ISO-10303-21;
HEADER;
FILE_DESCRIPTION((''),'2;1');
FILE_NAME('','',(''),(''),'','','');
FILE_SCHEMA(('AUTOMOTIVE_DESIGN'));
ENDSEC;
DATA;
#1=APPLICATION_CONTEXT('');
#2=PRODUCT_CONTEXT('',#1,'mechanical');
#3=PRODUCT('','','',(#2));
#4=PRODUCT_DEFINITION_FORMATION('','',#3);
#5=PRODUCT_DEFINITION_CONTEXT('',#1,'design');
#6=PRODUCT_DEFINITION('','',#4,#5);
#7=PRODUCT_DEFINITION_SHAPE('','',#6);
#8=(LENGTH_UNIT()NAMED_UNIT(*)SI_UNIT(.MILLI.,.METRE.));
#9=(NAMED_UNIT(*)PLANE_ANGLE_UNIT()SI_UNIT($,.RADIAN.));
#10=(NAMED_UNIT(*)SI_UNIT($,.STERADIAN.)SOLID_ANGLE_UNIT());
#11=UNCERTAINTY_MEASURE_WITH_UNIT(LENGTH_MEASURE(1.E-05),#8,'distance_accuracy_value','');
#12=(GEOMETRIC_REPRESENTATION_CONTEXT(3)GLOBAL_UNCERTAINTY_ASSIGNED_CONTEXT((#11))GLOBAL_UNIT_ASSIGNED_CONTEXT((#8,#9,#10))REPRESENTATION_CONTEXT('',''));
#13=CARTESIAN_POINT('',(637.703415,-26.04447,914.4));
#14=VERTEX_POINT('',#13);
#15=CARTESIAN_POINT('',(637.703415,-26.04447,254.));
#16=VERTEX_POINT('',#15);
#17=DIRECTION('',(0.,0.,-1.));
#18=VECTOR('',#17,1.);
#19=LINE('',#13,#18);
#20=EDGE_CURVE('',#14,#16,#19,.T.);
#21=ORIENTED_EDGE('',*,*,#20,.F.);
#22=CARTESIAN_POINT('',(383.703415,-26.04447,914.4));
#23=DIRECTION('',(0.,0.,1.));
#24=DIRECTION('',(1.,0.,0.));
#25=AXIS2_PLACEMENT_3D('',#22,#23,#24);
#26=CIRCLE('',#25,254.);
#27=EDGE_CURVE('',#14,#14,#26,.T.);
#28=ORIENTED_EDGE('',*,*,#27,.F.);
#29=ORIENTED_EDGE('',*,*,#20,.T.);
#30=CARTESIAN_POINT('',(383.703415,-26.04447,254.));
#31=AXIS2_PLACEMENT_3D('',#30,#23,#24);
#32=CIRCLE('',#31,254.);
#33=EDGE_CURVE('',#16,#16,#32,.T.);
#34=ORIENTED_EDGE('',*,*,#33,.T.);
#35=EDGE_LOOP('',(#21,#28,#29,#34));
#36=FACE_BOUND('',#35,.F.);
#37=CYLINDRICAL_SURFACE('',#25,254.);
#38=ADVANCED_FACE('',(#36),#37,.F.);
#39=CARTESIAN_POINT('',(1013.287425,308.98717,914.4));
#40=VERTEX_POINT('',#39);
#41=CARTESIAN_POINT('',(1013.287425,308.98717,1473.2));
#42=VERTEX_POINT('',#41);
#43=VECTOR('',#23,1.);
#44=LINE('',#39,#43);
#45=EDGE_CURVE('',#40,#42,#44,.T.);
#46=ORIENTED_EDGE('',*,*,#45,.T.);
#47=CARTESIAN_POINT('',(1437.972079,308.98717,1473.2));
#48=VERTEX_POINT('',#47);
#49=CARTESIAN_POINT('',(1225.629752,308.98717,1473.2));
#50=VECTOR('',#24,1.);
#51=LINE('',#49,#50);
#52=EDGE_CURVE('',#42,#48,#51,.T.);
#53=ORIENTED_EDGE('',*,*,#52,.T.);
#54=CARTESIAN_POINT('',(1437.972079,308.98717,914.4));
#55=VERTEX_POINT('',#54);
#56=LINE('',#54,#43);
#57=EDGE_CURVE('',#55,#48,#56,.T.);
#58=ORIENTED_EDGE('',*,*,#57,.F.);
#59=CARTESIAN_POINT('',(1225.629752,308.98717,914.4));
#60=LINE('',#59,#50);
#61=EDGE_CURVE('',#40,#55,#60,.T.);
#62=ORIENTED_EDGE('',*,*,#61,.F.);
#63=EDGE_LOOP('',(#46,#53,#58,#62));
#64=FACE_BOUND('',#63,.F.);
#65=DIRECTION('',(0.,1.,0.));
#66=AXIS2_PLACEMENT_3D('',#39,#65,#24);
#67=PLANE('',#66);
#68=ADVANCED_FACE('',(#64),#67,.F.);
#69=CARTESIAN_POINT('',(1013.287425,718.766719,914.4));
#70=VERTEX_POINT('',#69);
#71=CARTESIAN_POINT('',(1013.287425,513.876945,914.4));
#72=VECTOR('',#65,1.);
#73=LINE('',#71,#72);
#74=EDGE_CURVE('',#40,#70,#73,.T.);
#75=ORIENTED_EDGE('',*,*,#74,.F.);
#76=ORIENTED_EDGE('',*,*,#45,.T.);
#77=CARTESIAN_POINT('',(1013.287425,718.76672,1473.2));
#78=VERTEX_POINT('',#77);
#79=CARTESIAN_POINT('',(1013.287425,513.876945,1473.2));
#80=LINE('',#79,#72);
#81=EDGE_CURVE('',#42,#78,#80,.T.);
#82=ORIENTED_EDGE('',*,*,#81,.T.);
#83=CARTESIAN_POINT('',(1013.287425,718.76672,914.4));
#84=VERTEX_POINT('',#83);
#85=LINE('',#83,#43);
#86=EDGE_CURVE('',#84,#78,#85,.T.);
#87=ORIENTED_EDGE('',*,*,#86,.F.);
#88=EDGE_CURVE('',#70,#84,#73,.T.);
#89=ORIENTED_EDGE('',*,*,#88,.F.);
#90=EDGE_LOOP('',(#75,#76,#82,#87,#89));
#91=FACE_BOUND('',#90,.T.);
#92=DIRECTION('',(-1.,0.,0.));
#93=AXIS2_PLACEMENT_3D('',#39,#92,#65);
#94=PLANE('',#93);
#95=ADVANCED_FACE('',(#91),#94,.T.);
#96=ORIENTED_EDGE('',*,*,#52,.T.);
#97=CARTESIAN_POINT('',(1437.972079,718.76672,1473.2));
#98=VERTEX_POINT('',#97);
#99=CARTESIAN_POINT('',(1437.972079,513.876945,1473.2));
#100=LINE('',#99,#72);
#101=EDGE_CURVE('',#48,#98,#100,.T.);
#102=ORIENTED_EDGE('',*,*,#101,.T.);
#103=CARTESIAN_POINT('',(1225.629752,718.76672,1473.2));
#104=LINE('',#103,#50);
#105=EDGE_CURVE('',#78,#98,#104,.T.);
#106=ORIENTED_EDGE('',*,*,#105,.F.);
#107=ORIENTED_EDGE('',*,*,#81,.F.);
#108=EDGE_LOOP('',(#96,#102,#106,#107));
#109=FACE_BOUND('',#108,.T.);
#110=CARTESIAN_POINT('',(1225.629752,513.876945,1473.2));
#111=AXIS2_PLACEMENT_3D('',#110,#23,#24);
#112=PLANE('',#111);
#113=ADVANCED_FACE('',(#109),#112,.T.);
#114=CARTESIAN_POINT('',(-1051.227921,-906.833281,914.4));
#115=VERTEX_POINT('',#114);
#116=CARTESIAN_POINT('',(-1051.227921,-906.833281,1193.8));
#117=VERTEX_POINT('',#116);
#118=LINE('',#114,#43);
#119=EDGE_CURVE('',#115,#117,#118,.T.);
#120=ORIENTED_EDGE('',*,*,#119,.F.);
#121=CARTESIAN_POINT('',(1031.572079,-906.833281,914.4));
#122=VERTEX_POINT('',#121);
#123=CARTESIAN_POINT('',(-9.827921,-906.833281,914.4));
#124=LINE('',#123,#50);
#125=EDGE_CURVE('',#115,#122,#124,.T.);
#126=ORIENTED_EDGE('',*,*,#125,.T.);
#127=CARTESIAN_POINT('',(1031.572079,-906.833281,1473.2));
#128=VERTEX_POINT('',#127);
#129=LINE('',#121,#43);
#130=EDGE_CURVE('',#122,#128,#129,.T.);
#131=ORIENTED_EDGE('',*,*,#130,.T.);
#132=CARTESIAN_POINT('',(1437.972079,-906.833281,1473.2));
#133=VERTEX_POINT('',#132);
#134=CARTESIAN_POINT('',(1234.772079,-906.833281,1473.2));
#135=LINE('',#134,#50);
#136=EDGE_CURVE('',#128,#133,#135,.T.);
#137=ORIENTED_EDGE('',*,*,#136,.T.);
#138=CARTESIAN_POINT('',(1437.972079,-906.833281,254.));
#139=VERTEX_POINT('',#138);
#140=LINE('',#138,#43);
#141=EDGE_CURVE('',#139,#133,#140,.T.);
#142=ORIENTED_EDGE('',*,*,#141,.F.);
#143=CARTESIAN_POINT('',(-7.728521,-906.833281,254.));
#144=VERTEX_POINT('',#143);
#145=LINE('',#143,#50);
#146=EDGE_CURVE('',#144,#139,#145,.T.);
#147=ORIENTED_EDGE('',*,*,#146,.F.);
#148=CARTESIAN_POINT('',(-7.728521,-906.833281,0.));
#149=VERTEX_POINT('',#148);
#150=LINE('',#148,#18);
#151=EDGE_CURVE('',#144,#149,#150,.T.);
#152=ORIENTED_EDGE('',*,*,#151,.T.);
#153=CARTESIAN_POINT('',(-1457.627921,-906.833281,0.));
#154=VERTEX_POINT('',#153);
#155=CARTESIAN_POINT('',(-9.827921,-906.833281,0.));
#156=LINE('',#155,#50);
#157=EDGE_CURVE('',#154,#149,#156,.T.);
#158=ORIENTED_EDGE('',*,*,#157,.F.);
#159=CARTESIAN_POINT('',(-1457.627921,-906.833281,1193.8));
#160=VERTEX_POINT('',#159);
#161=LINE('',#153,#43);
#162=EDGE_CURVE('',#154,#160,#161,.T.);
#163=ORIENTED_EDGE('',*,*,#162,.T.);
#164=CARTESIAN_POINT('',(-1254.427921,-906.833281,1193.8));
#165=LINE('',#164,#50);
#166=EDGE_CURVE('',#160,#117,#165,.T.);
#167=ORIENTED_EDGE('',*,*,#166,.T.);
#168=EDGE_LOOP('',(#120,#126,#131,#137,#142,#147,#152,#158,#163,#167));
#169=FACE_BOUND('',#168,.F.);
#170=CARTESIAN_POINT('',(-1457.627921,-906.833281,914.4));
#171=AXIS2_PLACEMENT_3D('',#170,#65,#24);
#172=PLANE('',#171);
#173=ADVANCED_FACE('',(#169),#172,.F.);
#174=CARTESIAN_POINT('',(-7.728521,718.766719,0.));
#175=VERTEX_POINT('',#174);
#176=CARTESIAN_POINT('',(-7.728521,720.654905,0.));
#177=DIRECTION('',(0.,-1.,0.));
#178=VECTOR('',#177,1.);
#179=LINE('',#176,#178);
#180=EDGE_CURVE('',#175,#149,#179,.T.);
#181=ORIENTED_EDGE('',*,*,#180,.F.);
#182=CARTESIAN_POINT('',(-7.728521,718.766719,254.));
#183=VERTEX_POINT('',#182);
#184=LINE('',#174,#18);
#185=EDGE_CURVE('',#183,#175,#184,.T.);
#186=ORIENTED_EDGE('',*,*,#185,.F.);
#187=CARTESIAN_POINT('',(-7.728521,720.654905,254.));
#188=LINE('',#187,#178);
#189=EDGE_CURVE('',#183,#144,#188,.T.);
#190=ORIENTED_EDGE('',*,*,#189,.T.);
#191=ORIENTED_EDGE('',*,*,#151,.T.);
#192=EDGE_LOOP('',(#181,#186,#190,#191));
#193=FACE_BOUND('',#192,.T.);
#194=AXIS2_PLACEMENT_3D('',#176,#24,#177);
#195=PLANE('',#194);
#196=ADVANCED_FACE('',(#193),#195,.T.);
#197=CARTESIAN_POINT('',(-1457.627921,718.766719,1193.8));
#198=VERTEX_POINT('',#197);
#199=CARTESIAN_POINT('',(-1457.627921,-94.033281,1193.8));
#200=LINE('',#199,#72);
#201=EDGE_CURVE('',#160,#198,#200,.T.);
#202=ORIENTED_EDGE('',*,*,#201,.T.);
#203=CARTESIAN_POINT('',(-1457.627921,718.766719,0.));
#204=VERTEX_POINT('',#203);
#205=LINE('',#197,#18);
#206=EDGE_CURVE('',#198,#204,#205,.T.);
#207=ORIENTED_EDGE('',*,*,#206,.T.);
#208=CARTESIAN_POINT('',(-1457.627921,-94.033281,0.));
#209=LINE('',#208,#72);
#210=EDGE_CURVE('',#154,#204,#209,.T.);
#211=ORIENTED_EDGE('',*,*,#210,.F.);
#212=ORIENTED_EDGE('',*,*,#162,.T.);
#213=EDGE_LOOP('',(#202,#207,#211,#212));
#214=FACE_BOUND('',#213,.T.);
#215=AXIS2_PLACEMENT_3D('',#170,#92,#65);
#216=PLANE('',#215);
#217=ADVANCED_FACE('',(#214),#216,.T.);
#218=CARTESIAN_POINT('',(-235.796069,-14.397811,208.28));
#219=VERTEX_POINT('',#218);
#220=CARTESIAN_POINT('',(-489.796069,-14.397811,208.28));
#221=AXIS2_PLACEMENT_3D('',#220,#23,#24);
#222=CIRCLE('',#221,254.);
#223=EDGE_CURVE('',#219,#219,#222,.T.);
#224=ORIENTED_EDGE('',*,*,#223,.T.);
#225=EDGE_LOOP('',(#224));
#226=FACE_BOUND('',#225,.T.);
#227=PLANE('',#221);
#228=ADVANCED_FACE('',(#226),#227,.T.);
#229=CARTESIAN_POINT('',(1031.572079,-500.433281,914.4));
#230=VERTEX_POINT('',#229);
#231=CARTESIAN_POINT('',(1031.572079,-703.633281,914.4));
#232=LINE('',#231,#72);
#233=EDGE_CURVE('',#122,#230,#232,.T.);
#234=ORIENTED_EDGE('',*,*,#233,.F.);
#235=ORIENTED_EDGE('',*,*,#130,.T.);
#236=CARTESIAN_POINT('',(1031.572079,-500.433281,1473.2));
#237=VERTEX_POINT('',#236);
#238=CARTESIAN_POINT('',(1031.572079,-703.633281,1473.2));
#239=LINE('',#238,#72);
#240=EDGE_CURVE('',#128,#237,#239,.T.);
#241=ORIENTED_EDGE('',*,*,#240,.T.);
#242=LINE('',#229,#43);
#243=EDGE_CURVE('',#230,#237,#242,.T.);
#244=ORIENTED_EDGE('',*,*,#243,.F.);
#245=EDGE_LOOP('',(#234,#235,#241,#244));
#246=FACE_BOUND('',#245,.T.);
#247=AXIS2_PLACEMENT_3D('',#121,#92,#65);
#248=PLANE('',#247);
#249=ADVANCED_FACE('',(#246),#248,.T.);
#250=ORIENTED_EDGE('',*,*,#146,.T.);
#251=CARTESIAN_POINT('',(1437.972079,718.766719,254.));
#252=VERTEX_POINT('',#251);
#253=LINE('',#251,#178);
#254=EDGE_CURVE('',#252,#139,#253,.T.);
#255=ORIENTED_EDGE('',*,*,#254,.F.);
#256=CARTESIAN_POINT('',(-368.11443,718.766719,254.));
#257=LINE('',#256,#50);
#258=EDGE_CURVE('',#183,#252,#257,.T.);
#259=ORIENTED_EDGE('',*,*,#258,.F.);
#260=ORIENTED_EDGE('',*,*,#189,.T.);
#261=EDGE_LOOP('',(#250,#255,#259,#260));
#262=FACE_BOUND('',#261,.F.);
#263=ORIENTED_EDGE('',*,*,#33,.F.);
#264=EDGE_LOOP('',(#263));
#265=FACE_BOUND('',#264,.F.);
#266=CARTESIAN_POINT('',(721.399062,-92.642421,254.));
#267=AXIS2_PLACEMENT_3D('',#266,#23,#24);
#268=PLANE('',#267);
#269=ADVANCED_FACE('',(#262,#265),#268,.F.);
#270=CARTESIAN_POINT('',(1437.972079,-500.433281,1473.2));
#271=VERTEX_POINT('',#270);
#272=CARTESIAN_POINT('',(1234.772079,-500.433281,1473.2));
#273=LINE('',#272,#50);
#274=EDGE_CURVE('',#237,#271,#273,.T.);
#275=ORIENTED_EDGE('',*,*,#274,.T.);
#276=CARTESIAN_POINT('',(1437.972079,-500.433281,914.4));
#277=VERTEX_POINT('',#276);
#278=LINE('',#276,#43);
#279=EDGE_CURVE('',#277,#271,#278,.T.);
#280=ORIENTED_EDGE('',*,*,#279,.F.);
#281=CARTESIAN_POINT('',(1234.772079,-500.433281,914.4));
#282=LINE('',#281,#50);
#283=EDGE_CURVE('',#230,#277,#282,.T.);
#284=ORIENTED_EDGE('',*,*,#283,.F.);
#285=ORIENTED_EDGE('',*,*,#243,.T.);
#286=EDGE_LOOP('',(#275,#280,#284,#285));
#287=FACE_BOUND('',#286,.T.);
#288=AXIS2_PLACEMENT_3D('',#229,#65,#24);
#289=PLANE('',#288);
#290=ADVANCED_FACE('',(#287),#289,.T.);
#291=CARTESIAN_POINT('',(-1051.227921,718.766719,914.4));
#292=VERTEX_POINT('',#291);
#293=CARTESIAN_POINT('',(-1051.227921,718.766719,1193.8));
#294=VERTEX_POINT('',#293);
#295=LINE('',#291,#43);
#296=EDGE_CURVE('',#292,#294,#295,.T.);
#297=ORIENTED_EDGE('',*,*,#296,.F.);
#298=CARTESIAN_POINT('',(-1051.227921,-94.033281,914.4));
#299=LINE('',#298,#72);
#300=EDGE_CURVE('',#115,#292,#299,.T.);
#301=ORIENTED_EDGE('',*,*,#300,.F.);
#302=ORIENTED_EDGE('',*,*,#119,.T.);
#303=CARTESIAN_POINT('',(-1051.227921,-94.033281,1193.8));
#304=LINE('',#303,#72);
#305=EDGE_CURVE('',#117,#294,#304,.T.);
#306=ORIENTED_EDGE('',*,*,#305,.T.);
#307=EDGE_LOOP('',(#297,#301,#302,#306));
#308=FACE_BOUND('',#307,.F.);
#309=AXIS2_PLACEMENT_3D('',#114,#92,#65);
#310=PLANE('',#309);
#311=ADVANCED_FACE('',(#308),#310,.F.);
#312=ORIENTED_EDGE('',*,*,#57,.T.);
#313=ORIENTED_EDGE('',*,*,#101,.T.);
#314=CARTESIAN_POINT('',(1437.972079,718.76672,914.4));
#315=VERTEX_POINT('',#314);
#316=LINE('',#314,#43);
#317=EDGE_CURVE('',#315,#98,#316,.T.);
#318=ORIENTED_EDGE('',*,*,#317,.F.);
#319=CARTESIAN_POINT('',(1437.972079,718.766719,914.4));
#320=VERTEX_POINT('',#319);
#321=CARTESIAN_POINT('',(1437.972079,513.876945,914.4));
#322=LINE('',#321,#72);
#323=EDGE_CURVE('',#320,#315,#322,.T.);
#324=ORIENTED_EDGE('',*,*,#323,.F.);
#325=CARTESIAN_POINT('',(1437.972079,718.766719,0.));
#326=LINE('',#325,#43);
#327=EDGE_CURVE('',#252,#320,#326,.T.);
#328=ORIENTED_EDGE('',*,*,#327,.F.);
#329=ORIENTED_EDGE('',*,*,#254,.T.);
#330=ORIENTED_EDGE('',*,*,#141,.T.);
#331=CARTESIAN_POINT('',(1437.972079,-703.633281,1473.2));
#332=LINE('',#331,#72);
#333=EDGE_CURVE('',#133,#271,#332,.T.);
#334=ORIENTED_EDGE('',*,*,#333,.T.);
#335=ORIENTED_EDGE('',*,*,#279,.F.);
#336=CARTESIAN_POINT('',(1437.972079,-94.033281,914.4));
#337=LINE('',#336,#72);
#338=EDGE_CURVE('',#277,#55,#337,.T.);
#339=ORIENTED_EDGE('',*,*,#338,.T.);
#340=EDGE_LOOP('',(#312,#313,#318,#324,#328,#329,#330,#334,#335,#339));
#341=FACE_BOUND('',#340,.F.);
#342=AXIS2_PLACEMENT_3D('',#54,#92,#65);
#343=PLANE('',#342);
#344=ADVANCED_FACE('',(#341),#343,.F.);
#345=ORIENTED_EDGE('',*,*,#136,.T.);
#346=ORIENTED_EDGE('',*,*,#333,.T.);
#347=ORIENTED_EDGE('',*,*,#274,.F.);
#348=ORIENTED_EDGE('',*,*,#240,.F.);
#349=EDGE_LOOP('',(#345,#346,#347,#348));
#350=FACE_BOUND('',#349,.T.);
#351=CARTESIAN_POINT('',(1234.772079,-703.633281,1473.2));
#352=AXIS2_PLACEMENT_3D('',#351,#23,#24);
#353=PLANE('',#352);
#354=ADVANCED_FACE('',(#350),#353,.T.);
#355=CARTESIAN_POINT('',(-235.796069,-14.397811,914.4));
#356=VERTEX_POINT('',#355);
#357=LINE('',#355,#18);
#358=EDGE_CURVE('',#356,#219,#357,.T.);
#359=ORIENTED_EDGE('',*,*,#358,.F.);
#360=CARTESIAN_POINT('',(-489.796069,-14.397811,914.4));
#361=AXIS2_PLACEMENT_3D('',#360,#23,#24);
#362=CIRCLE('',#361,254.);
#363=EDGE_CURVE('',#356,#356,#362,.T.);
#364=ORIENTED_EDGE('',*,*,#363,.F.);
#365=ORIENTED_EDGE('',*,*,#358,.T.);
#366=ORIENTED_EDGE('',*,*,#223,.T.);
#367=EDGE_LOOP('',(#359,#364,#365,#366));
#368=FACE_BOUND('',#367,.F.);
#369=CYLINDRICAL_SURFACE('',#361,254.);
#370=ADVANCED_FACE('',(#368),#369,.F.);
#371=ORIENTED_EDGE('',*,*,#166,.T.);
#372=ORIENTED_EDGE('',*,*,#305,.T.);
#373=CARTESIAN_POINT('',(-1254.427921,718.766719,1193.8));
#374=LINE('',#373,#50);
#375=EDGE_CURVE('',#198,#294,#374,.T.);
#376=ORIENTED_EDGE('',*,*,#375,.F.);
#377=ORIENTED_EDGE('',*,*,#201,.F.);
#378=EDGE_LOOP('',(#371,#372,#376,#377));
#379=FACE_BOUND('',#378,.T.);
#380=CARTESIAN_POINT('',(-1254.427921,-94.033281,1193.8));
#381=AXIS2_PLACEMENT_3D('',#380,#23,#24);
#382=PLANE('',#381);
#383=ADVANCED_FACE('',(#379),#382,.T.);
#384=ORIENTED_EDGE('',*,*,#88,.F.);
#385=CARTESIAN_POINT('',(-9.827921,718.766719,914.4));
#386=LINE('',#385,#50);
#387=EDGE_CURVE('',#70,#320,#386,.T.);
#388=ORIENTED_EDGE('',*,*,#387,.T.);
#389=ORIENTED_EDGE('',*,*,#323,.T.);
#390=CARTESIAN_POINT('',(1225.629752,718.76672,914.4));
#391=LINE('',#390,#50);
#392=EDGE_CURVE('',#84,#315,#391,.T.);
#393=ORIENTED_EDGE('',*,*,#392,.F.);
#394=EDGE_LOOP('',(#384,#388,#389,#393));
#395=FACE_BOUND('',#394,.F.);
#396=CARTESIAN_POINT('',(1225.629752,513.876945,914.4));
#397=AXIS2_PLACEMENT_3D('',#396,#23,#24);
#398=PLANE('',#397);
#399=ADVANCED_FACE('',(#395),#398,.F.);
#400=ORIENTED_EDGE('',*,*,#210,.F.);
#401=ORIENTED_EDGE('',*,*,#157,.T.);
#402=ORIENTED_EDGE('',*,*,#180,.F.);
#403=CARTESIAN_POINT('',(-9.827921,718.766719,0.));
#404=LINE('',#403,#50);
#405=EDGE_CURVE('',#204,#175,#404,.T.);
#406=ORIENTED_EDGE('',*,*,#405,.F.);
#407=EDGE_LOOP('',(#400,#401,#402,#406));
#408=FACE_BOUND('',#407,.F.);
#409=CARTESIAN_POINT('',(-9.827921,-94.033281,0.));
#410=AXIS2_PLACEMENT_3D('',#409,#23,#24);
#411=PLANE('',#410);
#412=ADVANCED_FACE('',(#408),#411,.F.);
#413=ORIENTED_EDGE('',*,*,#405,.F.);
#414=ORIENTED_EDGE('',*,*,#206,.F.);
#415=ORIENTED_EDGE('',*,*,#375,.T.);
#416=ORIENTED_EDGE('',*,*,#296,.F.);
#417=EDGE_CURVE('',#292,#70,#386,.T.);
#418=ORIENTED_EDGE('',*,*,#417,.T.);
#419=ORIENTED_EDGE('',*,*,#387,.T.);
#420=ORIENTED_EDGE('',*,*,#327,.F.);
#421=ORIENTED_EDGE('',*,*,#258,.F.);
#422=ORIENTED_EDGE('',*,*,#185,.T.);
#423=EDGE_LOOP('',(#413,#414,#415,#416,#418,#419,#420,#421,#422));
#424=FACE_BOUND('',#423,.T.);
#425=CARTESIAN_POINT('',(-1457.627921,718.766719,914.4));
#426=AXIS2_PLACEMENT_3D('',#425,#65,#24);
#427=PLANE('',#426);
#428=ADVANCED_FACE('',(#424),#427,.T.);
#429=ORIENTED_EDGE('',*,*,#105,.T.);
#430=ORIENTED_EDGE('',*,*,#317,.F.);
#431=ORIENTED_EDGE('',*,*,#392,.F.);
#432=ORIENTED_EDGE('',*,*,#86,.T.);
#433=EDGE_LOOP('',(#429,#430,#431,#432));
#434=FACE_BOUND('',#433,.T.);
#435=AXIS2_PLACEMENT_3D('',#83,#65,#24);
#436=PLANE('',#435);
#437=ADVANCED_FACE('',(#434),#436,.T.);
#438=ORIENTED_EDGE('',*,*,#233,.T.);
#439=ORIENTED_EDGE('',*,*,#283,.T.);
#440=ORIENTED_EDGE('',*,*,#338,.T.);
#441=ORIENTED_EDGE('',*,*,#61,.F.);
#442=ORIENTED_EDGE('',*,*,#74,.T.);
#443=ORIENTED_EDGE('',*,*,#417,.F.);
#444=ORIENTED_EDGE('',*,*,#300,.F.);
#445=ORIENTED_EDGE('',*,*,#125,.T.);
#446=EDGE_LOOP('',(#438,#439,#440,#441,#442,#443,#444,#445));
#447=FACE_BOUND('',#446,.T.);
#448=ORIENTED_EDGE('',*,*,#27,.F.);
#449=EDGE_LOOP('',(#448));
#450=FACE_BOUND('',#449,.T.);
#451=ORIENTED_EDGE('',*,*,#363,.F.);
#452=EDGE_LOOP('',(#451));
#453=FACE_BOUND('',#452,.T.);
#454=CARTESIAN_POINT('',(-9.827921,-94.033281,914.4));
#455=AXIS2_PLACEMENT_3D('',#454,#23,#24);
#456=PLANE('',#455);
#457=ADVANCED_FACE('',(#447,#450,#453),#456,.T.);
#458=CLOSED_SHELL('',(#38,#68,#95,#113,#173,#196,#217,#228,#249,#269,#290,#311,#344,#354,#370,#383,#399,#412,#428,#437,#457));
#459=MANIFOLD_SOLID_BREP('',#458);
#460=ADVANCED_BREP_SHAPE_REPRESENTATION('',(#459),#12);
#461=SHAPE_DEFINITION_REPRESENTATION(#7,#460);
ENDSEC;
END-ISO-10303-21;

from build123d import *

# Parameters (mm, degrees)
F0_W      = 2895.6
F0_H      = 1625.6
F1_DEPTH  = 914.4
F2_W      = 1447.8
F2_H      = 406.4
F3_DEPTH  = 254
F5_DEPTH  = 254
F6_W      = 406.4
F6_H      = 406.4
F7_DEPTH  = 558.8
F8_W      = 424.684654
F8_H      = 409.779549
F9_DEPTH  = 558.8
F10_W     = 406.4
F10_H     = 1625.6
F11_DEPTH = 279.4
F12_R     = 254
F13_DEPTH = 706.12


with BuildPart() as f1:
    # F0 (on Top) → F1 (new body)
    with BuildSketch(Plane.XY):
        with Locations((-9.827921, -94.033281)):
            Rectangle(F0_W, F0_H)
    extrude(amount=F1_DEPTH)

    # F2 (on face) → F3 (cut)
    with BuildSketch(Plane.XY):
        with Locations((716.372308, -706.58043)):
            Rectangle(F2_W, F2_H)
    extrude(amount=F3_DEPTH, mode=Mode.SUBTRACT)

    # F4 (on Top) → F5 (cut)
    with BuildSketch(Plane.XY):
        Polygon((-7.728521, 720.654905), (-7.728521, -909.525675), (1452.226996, -902.336115), (1452.226996, 720.654905), align=None)
    extrude(amount=F5_DEPTH, mode=Mode.SUBTRACT)

    # F6 (on face) → F7 (join)
    with BuildSketch(Plane.XY.offset(914.4)):
        with Locations((1234.772079, -703.633281)):
            Rectangle(F6_W, F6_H)
    extrude(amount=F7_DEPTH)

    # F8 (on face) → F9 (join)
    with BuildSketch(Plane.XY.offset(914.4)):
        with Locations((1225.629752, 513.876945)):
            Rectangle(F8_W, F8_H)
    extrude(amount=F9_DEPTH)

    # F10 (on face) → F11 (join)
    with BuildSketch(Plane.XY.offset(914.4)):
        with Locations((-1254.427921, -94.033281)):
            Rectangle(F10_W, F10_H)
    extrude(amount=F11_DEPTH)

    # F12 (on face) → F13 (cut)
    with BuildSketch(Plane.XY.offset(914.4)):
        with Locations((-489.796069, -14.397811)):
            Circle(F12_R)
        with Locations((383.703415, -26.04447)):
            Circle(F12_R)
    extrude(amount=-F13_DEPTH, mode=Mode.SUBTRACT)


solid = f1.part
